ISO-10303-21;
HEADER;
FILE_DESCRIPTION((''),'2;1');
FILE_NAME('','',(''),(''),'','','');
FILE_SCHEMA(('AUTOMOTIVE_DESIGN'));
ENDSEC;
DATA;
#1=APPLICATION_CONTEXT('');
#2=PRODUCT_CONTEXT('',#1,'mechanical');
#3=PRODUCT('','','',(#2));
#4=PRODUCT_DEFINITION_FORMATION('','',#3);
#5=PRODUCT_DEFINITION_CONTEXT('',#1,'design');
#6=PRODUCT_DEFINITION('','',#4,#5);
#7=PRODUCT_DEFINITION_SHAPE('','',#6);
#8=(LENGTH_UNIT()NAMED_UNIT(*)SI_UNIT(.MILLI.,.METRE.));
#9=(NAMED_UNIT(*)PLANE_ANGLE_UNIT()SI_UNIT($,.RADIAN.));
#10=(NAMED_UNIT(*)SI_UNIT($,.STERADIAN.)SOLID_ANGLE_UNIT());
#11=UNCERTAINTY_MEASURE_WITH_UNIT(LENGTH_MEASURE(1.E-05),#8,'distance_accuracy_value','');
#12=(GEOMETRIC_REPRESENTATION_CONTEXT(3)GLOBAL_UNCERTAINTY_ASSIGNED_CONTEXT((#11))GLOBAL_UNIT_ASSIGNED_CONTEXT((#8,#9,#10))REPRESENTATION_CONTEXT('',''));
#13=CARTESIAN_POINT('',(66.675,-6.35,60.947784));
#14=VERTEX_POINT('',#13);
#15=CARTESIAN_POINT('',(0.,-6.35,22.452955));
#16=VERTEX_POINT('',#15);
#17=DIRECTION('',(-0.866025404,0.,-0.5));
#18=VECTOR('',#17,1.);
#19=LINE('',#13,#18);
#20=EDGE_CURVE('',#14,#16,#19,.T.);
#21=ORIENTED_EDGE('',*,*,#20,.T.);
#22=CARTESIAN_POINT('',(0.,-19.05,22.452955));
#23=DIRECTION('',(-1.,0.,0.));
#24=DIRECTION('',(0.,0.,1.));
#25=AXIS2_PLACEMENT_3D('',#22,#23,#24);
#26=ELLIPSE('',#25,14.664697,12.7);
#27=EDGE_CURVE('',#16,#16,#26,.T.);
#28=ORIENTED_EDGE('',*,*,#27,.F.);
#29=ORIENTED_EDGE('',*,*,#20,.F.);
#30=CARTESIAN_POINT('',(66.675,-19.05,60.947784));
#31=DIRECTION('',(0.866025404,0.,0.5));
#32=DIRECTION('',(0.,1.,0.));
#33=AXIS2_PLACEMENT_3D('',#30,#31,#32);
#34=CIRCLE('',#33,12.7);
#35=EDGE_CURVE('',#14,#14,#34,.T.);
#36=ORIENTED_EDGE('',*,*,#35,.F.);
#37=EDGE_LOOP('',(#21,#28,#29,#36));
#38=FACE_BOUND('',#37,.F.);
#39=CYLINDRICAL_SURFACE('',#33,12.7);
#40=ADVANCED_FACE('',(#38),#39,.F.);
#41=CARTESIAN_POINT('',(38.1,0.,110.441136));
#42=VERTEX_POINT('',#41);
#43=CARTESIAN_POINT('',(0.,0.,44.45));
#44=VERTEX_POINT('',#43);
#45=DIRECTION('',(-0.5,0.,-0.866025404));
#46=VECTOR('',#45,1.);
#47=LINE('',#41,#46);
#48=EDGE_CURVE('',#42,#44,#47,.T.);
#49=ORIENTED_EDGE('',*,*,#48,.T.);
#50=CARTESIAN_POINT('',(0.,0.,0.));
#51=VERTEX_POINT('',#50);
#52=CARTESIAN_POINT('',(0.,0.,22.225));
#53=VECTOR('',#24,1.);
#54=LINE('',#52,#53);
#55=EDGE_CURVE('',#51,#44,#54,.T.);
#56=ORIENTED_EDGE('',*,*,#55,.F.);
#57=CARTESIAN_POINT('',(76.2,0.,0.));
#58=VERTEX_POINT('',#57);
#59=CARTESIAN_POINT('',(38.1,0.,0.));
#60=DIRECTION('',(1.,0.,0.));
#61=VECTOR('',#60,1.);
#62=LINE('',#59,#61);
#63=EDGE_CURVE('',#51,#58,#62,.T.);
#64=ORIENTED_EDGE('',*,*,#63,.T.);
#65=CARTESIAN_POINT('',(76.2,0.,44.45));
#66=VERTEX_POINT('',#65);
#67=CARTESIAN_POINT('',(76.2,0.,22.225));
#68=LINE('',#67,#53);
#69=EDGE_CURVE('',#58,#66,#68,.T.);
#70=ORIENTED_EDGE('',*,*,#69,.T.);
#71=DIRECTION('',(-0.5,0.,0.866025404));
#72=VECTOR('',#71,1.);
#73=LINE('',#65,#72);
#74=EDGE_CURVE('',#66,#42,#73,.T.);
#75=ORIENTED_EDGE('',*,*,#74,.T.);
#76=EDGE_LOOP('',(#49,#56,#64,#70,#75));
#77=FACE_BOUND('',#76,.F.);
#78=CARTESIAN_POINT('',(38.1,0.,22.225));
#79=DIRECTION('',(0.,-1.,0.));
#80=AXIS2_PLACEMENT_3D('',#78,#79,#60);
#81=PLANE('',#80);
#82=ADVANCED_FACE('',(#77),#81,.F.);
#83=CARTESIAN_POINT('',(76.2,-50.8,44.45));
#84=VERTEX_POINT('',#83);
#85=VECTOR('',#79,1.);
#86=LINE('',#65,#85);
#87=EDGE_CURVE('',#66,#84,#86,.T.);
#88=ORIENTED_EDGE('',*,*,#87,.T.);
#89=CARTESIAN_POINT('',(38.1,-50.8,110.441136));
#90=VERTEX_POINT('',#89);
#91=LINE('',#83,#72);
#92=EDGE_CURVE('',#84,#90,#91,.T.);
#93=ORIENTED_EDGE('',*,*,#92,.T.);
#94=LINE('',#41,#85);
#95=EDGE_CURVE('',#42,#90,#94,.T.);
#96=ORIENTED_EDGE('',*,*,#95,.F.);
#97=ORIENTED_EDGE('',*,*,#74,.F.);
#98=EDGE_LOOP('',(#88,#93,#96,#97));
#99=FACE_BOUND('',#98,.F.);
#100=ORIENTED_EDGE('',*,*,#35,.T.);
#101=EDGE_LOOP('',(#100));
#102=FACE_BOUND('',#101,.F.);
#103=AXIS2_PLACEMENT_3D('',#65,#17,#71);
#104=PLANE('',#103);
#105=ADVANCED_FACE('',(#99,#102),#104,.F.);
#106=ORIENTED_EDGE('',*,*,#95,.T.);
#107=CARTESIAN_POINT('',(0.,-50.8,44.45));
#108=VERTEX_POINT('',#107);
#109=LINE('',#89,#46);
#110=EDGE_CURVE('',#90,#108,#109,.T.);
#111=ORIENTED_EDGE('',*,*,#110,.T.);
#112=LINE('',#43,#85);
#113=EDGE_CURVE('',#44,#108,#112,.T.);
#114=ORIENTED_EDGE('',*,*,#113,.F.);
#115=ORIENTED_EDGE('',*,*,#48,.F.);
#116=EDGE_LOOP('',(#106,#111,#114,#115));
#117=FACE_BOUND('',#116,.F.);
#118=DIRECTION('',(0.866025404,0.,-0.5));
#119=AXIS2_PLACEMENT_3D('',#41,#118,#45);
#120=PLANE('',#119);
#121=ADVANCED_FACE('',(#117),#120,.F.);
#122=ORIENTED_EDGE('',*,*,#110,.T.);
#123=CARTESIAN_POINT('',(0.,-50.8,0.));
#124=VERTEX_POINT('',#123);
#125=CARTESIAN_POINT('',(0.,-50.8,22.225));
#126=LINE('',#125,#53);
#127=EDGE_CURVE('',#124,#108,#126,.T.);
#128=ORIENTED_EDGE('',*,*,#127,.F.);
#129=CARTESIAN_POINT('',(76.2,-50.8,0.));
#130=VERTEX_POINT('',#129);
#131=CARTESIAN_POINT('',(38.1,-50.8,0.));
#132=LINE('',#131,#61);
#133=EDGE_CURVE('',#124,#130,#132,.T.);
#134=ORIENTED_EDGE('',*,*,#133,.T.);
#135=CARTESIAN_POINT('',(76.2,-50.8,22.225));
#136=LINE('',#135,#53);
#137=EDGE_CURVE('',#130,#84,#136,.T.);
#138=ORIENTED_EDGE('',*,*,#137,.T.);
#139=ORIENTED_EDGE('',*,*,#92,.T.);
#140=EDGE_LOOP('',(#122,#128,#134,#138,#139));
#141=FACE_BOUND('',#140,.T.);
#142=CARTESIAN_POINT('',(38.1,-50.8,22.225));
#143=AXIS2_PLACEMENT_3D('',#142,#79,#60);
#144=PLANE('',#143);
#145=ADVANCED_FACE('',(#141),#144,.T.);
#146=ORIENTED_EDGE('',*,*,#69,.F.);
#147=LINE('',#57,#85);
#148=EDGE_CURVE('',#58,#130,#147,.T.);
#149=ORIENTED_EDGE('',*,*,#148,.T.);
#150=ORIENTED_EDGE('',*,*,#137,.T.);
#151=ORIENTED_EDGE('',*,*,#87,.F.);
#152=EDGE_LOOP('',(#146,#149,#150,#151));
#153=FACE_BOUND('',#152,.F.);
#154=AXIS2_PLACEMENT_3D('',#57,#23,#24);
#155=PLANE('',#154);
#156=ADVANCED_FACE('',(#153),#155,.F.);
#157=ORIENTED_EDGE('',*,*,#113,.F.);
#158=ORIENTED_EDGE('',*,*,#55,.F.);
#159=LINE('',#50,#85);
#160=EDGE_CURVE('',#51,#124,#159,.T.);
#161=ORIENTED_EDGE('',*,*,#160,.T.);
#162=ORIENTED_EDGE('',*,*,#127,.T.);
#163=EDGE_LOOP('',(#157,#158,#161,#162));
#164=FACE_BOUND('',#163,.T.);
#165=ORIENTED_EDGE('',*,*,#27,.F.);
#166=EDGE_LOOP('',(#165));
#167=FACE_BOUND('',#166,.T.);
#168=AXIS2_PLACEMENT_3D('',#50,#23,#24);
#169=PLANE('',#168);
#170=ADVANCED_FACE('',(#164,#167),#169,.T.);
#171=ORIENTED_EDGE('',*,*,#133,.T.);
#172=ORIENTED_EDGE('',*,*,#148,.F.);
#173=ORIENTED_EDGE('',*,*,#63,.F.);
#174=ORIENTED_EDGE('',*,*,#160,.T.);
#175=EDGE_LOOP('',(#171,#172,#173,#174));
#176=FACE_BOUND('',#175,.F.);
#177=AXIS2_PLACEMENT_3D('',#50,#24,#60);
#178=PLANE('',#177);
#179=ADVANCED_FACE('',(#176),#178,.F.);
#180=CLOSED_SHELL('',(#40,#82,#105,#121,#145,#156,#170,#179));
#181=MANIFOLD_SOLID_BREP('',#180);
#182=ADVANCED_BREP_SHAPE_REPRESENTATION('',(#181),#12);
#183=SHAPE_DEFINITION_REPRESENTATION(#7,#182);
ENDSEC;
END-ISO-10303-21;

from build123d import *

# Parameters (mm, degrees)
F0_W     = 76.2
F0_H     = 44.45
F1_DEPTH = 50.8
F2_R     = 12.7
F3_DEPTH = 88.2171357684


with BuildPart() as f1:
    # F0 (on Front) → F1 (new body)
    with BuildSketch(Plane.XZ):
        with Locations((38.1, 22.225)):
            Rectangle(F0_W, F0_H)
        Polygon((38.1, 110.4411357684), (0, 44.45), (76.2, 44.45), align=None)
    extrude(amount=F1_DEPTH)

    # F2 (on face) → F3 (cut, through all)
    with BuildSketch(Plane(origin=(76.3974145991, 0, 44.1080678842), x_dir=(0, 1, 0), z_dir=(0.8660254038, 0, 0.5))):
        with Locations((-19.05, 19.4448291982)):
            Circle(F2_R)
    extrude(amount=-F3_DEPTH, mode=Mode.SUBTRACT)


solid = f1.part
